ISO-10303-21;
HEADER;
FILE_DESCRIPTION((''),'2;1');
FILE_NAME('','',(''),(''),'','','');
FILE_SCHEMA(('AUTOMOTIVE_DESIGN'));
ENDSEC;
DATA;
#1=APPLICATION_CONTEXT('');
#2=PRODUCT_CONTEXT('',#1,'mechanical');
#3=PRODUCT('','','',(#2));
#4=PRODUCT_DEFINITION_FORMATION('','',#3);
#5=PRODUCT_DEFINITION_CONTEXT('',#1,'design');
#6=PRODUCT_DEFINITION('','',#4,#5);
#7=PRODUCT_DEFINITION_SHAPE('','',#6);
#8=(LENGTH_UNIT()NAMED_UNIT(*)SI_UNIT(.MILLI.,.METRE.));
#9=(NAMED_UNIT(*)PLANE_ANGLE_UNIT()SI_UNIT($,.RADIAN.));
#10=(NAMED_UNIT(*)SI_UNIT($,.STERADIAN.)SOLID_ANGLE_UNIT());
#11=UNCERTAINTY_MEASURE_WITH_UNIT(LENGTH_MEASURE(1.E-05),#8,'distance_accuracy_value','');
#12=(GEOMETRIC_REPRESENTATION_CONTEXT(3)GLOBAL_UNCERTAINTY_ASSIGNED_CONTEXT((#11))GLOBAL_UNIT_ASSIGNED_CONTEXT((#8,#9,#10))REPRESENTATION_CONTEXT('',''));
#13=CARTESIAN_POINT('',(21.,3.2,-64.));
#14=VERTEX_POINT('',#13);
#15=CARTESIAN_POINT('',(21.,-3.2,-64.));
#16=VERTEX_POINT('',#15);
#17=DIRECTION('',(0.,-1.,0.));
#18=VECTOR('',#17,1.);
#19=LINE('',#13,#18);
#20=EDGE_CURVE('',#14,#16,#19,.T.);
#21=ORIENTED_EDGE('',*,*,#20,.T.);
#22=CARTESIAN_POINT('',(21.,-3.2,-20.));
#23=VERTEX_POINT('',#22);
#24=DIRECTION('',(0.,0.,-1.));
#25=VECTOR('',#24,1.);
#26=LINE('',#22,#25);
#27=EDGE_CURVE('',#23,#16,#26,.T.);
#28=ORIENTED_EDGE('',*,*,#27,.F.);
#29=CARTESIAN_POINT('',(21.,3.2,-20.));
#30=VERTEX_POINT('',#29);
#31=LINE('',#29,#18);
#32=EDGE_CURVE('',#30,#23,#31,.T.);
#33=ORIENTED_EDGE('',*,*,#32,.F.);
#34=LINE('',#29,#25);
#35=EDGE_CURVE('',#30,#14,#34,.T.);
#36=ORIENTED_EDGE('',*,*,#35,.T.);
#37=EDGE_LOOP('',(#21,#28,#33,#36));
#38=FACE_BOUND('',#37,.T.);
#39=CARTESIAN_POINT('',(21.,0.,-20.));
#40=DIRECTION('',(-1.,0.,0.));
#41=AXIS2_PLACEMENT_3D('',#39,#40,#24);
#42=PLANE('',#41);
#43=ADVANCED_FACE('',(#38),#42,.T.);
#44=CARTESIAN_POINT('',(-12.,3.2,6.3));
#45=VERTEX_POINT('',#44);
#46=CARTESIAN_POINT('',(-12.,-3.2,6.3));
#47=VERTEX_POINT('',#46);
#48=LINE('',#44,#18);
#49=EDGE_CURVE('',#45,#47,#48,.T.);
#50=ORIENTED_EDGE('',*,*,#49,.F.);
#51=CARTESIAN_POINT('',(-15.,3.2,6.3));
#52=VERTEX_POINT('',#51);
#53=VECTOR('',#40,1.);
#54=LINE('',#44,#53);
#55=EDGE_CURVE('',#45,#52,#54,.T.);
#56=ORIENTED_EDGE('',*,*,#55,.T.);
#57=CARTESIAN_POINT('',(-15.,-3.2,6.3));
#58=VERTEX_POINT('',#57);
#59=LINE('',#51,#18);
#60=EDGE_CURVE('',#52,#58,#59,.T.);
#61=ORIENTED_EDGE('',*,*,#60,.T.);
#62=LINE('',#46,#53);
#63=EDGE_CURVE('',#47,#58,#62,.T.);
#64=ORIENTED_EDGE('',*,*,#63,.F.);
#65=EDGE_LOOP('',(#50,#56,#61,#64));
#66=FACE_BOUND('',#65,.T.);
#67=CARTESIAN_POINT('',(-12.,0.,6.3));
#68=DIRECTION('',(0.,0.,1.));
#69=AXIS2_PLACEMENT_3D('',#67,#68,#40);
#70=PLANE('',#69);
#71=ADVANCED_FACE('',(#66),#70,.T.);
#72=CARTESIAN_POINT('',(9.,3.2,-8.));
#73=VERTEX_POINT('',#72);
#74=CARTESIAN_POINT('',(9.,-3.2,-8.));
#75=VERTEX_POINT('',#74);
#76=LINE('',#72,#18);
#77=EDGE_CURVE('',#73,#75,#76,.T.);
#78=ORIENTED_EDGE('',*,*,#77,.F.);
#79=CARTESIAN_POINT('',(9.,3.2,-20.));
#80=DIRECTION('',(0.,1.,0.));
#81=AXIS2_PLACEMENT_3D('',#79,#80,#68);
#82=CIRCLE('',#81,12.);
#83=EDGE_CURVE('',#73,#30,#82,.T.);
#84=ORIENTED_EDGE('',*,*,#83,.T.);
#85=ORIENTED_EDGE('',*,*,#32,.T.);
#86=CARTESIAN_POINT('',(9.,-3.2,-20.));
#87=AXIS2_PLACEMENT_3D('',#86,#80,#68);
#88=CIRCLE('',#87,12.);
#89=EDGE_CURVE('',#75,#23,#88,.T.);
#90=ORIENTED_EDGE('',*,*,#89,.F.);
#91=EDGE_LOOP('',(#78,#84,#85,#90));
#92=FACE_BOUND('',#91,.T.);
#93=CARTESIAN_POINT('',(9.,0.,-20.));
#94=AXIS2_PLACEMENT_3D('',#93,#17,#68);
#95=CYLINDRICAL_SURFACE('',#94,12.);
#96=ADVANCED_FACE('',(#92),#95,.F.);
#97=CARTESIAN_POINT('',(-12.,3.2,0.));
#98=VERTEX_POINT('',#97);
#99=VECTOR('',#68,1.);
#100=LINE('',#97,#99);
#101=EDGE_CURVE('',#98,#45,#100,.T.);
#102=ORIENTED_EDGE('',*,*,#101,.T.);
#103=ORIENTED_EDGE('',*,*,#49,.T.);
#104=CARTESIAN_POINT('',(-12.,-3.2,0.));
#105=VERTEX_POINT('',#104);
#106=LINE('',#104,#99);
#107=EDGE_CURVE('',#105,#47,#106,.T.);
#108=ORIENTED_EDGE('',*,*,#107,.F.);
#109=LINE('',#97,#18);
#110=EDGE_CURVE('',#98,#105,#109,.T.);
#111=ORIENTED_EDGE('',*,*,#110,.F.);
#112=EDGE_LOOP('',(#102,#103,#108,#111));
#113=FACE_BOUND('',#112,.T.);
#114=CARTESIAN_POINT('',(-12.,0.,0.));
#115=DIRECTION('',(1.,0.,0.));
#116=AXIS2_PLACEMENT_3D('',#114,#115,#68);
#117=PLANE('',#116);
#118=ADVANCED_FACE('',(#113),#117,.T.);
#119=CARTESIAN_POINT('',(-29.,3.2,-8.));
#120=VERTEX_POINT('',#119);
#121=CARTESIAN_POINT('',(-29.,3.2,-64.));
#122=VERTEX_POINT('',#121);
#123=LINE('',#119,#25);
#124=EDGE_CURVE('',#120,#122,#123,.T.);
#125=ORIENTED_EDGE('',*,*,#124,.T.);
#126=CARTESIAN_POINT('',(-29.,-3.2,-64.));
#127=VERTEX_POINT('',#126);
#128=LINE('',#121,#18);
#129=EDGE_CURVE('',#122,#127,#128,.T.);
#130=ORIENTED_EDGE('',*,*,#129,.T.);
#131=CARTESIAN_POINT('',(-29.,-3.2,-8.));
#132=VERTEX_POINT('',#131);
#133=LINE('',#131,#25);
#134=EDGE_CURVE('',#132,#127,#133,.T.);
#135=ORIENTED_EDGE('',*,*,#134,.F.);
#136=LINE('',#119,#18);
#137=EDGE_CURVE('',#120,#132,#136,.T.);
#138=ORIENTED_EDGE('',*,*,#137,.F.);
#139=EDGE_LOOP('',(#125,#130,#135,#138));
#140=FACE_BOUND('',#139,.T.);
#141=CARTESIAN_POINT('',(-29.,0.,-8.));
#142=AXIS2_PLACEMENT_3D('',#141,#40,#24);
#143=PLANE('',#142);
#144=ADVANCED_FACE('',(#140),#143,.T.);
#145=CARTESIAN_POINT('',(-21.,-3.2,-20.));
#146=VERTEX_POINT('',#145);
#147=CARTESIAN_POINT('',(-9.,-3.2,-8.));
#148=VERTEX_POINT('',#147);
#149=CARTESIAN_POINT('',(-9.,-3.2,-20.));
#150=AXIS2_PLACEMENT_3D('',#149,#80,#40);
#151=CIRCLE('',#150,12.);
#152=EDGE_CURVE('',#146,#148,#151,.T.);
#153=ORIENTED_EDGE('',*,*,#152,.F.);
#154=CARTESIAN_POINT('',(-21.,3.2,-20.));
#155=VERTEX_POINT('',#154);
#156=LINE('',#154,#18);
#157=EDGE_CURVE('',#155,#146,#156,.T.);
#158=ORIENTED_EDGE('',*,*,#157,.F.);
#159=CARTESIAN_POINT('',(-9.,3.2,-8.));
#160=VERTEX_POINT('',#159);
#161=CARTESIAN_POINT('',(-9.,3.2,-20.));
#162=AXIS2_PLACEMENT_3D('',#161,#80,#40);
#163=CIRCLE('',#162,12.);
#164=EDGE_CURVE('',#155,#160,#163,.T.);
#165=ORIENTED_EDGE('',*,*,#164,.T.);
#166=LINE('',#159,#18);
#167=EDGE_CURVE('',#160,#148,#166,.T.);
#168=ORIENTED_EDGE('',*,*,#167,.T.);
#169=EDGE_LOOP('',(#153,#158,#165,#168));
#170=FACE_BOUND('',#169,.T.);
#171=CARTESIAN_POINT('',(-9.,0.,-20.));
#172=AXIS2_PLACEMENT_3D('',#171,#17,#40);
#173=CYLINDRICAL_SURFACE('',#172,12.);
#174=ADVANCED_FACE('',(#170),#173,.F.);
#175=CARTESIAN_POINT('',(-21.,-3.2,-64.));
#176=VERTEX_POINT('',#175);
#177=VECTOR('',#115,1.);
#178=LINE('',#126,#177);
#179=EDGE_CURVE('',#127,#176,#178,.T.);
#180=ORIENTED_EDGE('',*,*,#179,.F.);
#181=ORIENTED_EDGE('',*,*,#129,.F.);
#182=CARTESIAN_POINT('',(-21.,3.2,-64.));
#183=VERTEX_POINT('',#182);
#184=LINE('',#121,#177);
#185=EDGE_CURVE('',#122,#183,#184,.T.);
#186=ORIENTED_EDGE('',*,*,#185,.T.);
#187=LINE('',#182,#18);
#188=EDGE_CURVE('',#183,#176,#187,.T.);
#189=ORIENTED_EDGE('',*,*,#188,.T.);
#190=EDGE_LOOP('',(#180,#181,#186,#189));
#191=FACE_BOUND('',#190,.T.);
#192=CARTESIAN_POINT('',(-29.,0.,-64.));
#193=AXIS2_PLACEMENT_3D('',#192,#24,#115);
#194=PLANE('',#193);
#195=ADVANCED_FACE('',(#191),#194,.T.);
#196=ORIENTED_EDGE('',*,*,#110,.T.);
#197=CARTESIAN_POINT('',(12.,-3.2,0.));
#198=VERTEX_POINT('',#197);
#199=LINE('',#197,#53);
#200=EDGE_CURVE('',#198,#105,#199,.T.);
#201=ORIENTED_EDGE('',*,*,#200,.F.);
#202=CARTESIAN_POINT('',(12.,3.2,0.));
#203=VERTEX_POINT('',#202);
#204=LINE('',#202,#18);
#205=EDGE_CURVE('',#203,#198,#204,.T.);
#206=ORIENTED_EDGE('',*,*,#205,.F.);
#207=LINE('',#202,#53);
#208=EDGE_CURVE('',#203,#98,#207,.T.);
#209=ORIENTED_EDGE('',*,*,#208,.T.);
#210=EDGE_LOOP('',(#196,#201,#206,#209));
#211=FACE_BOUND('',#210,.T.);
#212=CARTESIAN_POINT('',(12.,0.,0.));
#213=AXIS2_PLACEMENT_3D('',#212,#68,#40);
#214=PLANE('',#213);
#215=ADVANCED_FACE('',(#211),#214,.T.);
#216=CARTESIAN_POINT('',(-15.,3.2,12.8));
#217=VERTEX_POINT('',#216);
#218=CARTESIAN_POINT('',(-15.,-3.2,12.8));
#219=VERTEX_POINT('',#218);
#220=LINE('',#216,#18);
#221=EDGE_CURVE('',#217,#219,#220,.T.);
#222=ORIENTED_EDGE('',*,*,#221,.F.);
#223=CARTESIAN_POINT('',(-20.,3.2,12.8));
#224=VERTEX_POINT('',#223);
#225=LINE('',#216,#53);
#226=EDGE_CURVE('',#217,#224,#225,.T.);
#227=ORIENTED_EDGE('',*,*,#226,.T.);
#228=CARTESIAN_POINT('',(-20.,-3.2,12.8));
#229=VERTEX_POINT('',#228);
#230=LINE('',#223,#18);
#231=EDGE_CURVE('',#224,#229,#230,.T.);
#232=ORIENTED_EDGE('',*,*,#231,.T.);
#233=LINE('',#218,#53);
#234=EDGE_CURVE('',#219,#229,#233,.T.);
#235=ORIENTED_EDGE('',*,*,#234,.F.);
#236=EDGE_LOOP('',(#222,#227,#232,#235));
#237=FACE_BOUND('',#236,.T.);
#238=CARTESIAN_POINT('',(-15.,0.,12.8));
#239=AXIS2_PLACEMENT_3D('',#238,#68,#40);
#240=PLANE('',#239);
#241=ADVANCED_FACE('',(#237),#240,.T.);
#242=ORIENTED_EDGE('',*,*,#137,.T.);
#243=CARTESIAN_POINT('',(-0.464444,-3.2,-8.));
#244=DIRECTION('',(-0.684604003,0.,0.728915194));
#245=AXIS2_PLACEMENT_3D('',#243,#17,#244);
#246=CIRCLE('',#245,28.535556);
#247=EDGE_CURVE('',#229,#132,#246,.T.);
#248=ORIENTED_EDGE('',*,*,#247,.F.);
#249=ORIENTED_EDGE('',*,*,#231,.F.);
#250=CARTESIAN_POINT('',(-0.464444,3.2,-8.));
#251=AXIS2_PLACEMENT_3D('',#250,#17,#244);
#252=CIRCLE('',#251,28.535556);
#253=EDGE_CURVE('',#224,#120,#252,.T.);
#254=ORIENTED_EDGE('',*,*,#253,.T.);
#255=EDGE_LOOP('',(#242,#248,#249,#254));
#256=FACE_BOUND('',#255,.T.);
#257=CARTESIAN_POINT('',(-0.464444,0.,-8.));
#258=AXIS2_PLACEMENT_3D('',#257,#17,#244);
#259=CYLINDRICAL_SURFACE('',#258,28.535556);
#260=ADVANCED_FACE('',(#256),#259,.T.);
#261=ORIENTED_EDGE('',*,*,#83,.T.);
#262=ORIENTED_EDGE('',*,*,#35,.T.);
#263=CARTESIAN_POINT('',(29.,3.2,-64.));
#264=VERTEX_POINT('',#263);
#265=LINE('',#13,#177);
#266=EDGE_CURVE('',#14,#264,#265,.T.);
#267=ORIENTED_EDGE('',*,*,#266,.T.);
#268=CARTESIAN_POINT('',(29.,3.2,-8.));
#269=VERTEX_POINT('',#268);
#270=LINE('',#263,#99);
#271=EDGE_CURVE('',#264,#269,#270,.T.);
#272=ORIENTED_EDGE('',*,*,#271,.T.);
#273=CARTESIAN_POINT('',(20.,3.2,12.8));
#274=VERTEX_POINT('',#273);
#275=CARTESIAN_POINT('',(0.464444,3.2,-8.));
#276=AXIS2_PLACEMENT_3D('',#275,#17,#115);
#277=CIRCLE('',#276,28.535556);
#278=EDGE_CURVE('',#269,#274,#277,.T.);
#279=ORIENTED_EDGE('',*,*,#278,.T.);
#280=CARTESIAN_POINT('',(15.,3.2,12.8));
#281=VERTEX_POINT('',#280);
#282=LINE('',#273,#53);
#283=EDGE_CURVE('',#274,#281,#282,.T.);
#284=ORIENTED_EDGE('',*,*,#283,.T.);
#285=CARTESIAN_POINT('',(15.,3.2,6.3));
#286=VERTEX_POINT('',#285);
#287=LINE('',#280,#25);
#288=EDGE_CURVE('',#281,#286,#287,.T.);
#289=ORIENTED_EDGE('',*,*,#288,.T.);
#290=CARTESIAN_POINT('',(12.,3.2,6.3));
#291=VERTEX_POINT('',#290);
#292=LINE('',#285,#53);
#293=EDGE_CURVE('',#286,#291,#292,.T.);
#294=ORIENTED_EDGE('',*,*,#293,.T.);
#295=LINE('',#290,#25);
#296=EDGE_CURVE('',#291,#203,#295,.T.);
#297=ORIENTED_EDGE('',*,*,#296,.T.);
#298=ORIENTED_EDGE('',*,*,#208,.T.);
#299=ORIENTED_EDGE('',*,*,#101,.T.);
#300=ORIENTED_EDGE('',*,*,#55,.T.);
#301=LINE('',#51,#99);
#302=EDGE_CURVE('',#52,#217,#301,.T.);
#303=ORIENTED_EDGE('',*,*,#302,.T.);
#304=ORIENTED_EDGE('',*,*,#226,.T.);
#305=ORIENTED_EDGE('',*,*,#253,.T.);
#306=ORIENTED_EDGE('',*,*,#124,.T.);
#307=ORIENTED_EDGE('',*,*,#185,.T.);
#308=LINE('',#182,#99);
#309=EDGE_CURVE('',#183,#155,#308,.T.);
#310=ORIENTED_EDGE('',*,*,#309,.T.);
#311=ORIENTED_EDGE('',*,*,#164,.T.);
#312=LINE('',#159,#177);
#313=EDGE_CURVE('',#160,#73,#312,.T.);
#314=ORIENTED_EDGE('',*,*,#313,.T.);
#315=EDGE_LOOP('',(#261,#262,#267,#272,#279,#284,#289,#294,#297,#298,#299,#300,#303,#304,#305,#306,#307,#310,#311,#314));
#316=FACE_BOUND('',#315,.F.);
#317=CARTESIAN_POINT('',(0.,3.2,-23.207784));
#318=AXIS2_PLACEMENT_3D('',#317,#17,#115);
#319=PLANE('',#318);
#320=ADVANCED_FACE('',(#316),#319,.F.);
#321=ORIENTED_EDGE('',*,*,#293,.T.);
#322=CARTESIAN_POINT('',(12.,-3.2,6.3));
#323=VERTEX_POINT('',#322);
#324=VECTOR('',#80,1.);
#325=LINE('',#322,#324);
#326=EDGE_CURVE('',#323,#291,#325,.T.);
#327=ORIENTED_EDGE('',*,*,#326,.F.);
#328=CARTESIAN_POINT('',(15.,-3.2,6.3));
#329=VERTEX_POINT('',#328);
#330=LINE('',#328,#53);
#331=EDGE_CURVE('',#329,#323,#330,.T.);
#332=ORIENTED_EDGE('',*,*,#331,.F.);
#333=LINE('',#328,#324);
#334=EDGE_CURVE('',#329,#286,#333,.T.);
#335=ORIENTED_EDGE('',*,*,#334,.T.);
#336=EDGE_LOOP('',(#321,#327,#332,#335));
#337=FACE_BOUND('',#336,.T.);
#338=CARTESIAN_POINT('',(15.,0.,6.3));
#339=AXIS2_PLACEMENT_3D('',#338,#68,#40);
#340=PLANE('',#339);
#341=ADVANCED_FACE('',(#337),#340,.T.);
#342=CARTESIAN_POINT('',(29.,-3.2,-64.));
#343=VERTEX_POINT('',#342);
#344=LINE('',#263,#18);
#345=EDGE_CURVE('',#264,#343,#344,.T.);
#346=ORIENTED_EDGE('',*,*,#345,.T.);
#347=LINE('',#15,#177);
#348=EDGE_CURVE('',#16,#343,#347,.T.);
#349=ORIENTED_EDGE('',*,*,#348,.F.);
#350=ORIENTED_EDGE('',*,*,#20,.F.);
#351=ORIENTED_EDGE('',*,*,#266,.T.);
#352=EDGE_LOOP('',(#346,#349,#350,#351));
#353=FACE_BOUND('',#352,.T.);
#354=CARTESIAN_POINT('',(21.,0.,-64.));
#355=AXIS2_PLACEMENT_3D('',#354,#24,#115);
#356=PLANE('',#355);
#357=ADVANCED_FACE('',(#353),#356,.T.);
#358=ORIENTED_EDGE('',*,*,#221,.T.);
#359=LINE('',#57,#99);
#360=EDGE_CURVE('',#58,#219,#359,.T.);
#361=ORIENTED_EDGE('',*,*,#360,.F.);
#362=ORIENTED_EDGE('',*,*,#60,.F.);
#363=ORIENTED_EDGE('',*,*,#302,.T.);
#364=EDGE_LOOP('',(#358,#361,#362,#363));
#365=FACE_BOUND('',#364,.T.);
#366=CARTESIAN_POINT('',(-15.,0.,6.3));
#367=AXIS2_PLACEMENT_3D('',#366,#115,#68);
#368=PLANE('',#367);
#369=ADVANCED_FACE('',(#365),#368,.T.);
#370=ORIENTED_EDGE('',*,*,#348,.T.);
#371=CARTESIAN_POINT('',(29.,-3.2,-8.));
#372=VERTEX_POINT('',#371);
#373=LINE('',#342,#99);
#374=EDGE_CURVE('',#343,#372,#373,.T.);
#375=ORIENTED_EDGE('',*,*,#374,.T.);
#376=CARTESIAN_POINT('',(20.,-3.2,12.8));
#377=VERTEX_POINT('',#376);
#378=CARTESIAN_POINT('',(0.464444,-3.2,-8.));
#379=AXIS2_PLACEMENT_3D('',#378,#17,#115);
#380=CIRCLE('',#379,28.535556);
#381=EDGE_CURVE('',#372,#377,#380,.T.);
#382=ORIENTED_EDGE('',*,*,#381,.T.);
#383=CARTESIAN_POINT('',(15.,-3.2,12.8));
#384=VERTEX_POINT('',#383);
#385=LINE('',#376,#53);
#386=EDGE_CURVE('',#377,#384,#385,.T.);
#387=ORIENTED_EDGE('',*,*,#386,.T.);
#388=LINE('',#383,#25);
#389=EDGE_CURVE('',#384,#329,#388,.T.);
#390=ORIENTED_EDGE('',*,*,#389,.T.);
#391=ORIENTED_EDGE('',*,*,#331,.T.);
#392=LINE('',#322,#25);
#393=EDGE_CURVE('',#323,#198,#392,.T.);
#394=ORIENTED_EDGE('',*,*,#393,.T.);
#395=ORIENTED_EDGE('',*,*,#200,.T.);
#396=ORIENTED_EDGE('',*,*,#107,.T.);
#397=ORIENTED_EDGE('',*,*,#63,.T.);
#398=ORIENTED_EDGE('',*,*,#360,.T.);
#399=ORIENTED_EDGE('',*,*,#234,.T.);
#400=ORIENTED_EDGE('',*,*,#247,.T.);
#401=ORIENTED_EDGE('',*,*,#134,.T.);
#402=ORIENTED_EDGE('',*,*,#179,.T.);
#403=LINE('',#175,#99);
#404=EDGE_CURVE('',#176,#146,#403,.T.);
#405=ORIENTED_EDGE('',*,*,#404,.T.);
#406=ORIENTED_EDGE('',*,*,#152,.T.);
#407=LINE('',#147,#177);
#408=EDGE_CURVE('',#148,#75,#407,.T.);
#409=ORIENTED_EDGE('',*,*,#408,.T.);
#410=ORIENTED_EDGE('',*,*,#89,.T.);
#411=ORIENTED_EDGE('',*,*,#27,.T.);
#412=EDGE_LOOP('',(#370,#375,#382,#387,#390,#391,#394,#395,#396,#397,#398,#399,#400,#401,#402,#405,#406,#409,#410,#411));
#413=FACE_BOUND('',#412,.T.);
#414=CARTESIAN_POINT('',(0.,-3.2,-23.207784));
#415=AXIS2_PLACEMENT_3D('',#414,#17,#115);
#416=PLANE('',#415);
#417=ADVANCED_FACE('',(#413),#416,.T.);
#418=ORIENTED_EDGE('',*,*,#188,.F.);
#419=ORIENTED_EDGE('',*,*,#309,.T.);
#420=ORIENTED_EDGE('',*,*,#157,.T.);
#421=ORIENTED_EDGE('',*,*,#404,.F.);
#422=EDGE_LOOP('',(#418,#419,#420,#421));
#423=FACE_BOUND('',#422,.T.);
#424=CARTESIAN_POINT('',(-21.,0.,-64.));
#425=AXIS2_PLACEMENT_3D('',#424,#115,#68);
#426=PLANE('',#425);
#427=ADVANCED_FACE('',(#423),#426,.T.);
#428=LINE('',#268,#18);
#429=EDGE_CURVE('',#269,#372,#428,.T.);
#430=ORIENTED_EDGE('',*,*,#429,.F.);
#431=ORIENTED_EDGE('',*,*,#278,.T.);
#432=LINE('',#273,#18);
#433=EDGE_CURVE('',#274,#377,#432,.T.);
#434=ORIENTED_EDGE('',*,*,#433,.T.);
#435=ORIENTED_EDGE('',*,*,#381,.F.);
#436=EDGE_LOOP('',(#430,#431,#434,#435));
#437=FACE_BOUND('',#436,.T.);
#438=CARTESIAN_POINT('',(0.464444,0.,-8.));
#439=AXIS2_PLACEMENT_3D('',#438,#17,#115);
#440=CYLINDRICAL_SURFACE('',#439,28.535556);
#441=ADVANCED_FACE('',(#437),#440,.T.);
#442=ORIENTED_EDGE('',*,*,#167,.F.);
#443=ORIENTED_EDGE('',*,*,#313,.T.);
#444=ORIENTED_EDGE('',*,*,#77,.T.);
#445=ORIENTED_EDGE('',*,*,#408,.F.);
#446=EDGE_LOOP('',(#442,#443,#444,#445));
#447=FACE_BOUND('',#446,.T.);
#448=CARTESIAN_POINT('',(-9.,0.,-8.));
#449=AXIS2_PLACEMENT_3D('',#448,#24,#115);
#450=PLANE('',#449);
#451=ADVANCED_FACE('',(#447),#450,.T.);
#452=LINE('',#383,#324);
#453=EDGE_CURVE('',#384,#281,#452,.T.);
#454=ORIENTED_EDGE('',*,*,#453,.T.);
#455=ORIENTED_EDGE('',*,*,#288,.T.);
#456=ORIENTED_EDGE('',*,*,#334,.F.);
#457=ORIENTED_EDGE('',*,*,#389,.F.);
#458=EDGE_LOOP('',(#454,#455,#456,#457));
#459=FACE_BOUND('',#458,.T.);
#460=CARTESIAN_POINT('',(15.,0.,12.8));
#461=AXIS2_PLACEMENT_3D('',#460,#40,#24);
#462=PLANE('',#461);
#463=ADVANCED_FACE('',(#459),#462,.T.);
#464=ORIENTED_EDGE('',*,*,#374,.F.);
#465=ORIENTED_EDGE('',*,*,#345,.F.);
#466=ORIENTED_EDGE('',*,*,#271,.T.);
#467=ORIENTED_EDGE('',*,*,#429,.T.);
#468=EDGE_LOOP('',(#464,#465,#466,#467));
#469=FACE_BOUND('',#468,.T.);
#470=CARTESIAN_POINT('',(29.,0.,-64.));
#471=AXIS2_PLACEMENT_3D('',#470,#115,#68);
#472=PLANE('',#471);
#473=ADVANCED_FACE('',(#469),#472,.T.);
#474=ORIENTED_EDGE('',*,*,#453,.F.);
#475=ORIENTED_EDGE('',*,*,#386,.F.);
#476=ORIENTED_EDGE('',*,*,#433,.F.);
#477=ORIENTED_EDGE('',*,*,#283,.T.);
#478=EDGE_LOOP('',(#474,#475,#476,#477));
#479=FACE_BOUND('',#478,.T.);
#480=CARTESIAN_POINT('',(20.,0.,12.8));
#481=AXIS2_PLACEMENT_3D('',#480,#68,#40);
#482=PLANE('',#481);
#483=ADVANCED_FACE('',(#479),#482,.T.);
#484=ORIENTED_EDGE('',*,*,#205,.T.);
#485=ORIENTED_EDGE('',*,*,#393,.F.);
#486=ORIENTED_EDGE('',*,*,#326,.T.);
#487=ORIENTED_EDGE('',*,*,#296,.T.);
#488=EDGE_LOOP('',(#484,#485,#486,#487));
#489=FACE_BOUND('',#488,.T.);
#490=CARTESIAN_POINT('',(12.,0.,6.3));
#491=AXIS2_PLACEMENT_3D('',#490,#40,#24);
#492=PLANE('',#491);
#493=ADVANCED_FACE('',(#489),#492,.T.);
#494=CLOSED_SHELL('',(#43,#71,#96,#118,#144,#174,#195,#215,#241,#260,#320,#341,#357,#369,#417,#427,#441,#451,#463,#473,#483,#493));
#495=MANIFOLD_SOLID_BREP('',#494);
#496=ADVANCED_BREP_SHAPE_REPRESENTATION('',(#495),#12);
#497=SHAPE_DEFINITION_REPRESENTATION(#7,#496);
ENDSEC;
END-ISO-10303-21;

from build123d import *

# Parameters (mm, degrees)
F2_DEPTH = 3.2


with BuildPart() as f2:
    # F1 (on Front) → F2 (new body, symmetric)
    with BuildSketch(Plane.XZ):
        with BuildLine():
            Line((12, 6.3), (12, 0))
            Line((12, 0), (-12, 0))
            Line((-12, 0), (-12, 6.3))
            Line((-12, 6.3), (-15, 6.3))
            Line((-15, 6.3), (-15, 12.8))
            Line((-15, 12.8), (-20, 12.8))
            ThreePointArc((-20, 12.8), (-26.653524819, 3.3318136236), (-29, -8))
            Line((-29, -8), (-29, -64))
            Line((-29, -64), (-21, -64))
            Line((-21, -64), (-21, -20))
            ThreePointArc((-21, -20), (-17.4852813742, -11.5147186258), (-9, -8))
            Line((-9, -8), (9, -8))
            ThreePointArc((9, -8), (17.4852813742, -11.5147186258), (21, -20))
            Line((21, -20), (21, -64))
            Line((21, -64), (29, -64))
            Line((29, -64), (29, -8))
            ThreePointArc((29, -8), (26.653524819, 3.3318136236), (20, 12.8))
            Line((20, 12.8), (15, 12.8))
            Line((15, 12.8), (15, 6.3))
            Line((15, 6.3), (12, 6.3))
        make_face()
    extrude(amount=F2_DEPTH, both=True)


solid = f2.part
